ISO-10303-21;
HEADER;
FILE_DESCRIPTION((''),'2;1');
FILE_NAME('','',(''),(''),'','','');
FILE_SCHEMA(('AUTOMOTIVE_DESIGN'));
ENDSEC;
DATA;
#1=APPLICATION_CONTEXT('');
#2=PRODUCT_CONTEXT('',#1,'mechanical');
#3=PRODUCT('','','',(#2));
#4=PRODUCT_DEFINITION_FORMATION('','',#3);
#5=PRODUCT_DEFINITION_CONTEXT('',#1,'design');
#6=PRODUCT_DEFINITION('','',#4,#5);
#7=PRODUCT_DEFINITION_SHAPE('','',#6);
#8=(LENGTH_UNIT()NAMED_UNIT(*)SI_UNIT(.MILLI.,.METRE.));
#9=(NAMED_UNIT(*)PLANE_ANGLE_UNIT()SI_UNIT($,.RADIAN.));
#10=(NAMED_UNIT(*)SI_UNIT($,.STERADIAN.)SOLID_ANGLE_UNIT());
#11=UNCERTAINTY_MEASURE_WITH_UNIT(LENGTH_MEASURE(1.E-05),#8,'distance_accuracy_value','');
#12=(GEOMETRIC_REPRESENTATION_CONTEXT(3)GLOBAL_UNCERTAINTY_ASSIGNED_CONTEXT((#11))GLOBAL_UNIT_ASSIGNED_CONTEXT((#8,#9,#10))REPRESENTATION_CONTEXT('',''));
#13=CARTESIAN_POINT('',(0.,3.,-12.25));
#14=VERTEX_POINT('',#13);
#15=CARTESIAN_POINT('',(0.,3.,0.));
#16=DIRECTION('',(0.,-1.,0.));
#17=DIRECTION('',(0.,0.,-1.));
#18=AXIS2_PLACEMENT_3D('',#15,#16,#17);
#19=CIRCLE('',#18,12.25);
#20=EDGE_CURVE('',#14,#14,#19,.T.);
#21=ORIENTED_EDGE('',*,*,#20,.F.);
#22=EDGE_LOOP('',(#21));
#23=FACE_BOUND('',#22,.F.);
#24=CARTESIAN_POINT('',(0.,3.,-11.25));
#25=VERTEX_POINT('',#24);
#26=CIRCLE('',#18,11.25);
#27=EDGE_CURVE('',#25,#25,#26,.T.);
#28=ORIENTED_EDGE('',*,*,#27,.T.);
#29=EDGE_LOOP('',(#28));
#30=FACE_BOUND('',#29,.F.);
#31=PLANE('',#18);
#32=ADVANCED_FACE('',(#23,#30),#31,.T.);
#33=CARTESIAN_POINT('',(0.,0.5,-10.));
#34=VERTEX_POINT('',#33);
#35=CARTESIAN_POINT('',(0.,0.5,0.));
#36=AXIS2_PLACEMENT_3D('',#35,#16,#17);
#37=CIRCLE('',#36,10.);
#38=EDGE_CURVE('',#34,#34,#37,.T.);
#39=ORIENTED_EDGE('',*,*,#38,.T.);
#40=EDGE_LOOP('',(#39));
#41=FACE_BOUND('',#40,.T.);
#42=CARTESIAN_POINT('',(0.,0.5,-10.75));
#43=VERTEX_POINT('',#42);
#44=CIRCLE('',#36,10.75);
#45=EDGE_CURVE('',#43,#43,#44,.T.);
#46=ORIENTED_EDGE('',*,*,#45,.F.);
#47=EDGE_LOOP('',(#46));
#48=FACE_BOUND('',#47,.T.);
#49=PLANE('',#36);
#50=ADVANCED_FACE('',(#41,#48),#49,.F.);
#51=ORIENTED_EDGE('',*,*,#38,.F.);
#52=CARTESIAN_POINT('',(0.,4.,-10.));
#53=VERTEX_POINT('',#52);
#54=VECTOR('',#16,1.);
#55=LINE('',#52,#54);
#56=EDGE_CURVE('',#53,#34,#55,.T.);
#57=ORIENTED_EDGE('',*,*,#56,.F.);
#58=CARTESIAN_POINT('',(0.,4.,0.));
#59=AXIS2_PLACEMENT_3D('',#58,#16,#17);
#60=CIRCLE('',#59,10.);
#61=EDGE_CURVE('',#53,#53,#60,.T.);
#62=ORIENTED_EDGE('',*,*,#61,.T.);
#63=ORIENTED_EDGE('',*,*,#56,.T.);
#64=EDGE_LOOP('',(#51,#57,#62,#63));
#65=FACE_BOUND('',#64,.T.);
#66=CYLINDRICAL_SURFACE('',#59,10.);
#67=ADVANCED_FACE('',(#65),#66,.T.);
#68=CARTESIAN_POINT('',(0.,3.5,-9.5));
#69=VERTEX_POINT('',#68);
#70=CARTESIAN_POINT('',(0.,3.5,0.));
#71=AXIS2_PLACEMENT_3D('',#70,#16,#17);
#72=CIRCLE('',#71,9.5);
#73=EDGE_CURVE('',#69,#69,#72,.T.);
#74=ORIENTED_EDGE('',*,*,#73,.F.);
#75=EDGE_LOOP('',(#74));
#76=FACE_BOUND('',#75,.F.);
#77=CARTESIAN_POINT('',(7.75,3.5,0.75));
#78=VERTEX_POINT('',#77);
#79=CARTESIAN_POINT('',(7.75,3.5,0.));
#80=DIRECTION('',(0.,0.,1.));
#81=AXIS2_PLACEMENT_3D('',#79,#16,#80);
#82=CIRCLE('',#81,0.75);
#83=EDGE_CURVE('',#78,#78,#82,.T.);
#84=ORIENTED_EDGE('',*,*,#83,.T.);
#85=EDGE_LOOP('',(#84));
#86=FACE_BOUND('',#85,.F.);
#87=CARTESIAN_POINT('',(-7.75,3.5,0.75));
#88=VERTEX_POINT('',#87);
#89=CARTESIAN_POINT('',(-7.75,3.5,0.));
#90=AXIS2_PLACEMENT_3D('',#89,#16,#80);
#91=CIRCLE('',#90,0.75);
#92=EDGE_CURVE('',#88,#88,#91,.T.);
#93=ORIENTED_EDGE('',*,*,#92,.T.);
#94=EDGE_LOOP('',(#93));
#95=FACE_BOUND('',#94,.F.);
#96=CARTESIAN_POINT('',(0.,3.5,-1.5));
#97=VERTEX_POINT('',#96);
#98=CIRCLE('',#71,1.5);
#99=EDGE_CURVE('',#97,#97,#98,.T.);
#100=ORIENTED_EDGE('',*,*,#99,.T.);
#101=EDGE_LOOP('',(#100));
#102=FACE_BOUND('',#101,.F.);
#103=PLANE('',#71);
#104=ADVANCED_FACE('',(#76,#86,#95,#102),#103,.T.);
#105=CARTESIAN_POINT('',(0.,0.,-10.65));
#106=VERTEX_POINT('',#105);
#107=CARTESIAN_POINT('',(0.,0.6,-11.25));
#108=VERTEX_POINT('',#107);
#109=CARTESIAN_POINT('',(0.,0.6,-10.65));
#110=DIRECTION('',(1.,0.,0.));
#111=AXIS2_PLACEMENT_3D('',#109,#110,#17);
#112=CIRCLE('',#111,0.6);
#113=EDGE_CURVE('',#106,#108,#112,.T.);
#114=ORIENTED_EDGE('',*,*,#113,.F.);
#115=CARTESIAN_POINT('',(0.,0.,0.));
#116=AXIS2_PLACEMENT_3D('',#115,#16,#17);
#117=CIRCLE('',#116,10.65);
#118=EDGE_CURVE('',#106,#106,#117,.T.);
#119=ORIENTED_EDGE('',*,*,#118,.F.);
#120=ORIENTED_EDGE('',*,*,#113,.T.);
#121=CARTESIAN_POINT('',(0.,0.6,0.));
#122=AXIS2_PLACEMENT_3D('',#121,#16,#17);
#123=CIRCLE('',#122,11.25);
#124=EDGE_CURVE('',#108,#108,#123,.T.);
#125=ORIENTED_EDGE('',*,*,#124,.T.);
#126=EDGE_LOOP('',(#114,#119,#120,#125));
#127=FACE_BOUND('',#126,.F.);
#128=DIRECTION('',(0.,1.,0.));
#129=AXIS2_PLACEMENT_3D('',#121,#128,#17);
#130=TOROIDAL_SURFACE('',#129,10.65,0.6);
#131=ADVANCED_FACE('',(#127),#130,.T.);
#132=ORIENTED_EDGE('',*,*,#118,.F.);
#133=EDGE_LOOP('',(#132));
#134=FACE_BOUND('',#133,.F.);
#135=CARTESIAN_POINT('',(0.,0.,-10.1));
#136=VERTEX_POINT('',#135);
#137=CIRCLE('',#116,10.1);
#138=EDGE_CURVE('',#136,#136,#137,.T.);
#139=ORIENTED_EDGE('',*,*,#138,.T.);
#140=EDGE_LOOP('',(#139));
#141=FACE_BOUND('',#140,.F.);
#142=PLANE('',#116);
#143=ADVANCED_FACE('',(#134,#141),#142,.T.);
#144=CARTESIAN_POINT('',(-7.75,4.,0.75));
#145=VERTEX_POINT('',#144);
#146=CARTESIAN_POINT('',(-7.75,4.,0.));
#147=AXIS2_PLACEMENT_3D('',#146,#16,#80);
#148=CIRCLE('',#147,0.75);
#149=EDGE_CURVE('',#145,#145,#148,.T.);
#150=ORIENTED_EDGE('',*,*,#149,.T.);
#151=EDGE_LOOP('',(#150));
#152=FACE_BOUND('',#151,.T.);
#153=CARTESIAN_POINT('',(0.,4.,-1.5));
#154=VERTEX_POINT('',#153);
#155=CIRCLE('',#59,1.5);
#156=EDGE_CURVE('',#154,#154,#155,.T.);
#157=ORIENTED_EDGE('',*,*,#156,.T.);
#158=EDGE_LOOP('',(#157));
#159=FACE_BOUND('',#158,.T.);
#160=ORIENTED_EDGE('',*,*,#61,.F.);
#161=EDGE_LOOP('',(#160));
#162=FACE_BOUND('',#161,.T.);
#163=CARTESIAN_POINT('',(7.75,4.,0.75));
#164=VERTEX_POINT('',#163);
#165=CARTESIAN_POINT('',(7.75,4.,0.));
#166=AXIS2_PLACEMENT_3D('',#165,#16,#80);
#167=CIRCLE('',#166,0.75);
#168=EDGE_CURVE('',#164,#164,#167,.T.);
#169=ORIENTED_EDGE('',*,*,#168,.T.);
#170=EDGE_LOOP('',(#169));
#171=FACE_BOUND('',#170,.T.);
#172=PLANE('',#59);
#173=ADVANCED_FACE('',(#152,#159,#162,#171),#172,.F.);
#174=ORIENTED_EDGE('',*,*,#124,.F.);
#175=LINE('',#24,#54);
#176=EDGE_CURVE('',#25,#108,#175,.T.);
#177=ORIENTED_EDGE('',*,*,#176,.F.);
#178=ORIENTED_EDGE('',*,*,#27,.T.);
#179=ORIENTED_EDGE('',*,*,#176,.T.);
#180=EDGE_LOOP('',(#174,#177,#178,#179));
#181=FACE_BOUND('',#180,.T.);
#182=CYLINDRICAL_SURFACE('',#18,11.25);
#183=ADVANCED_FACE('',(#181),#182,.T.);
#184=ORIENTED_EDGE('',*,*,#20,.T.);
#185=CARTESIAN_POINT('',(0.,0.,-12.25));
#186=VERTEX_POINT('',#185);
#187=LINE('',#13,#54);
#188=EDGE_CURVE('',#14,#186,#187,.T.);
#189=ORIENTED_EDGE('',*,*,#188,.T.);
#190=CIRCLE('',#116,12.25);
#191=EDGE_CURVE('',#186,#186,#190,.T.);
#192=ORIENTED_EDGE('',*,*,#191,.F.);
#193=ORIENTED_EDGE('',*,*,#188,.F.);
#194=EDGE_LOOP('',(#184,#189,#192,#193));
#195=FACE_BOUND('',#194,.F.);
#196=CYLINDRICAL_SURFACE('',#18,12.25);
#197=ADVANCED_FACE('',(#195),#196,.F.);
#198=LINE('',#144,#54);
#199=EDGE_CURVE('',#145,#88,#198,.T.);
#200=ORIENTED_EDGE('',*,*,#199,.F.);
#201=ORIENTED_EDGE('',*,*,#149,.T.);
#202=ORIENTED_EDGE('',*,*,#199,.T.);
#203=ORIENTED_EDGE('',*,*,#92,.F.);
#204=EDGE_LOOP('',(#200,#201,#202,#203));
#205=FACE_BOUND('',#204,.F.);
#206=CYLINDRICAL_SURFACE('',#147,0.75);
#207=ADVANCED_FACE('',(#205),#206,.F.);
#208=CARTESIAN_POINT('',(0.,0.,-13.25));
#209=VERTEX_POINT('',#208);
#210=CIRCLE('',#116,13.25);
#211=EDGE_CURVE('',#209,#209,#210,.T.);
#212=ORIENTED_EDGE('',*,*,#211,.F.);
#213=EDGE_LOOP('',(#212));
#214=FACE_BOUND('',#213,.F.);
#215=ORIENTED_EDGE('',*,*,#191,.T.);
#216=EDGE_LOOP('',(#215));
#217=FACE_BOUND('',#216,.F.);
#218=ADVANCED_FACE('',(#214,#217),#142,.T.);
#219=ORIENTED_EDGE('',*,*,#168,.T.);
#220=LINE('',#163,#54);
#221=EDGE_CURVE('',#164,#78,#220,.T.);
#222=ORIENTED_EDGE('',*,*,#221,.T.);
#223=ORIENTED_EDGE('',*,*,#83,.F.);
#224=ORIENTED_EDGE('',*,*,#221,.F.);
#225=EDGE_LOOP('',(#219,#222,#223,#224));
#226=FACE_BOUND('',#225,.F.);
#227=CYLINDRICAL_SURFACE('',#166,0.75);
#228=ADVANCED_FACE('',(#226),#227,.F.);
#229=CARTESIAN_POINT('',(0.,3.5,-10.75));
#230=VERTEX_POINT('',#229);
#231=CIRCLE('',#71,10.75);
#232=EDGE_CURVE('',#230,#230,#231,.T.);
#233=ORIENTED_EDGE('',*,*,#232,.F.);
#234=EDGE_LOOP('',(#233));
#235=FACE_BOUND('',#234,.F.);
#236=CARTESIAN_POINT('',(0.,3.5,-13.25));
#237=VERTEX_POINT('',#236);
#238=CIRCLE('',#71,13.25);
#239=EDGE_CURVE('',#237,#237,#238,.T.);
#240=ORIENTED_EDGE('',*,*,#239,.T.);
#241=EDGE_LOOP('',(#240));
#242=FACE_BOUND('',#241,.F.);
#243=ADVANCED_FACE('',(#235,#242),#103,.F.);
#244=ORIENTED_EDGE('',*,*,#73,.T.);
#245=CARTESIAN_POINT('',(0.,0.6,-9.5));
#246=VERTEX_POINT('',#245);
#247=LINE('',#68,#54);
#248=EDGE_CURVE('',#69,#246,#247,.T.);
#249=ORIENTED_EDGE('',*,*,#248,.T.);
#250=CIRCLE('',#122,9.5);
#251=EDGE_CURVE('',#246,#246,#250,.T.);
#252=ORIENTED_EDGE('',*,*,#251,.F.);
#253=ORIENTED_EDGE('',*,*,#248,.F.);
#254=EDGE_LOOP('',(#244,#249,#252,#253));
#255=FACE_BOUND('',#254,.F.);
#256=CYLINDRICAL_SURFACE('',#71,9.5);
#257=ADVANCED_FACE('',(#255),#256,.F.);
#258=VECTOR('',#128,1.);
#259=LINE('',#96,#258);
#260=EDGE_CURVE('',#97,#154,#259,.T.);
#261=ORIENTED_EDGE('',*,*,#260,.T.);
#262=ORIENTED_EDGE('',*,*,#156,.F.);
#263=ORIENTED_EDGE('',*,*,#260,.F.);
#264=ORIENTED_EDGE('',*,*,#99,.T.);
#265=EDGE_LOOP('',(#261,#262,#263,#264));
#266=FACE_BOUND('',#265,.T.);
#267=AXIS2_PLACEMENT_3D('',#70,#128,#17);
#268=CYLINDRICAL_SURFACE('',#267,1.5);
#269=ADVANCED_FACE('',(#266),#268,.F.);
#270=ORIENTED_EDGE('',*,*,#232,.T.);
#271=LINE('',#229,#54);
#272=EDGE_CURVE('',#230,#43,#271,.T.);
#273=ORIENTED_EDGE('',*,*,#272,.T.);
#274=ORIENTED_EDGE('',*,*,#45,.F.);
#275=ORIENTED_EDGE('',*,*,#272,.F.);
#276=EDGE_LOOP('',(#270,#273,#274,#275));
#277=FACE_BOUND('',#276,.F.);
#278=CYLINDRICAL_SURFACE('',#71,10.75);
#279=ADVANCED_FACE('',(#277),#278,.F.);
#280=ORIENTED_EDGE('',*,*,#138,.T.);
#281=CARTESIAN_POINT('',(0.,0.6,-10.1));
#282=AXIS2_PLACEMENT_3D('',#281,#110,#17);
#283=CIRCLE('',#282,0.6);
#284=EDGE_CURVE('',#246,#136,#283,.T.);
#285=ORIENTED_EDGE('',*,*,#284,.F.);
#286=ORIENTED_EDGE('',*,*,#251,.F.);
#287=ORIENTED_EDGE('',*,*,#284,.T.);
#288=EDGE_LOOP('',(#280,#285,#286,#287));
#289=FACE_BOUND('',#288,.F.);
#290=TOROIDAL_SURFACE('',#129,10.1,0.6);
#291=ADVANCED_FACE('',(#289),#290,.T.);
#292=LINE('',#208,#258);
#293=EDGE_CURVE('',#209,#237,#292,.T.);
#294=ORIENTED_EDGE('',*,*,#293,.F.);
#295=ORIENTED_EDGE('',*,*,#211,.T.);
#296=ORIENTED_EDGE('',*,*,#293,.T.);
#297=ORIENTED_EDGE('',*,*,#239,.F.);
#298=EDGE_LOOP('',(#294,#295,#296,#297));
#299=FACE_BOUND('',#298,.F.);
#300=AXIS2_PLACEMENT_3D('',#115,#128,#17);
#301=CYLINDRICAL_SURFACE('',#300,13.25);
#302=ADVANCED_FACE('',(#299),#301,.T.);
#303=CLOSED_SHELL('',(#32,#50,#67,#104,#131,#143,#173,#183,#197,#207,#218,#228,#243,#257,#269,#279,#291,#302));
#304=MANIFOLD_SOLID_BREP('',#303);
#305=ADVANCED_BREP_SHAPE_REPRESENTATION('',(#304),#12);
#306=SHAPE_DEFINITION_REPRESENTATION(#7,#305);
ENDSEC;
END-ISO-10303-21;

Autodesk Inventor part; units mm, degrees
ref_plane "YZ Plane" through (0, 0, 0) normal (1, 0, 0) x (0, 1, 0)
ref_plane "XZ Plane" through (0, 0, 0) normal (0, 1, 0) x (-1, 0, 0)
ref_plane "XY Plane" through (0, 0, 0) normal (0, 0, 1) x (1, 0, 0)
sketch "Sketch1" plane through (0, 0, 0) normal (1, 0, 0) x (0, 1, 0)
  line L0 (0, 0) -> (-4.0897, 0)
  line L1 (0, -1.6442) -> (0, -13.25)
  line L2 (0, -13.25) -> (3.5, -13.25)
  line L3 (3.5, -13.25) -> (3.5, -10.75)
  line L4 (3.5, -10.75) -> (0.5, -10.75)
  line L5 (4, 0) -> (4, -10)
  line L6 (4, -10) -> (0.5, -10)
  line L7 (0.5, -10) -> (0.5, -10.75)
  line L8 (3.5, -1.5) -> (3.5, -9.5)
  line L9 (3.5, -9.5) -> (0, -9.5)
  line L10 (3, -11.25) -> (0, -11.25)
  line L11 (3, -11.25) -> (3, -12.25)
  line L12 (3, -12.25) -> (0, -12.25)
  line L13 (3.5, -1.5) -> (4, -1.5)
  point P0 (1.5, -12.25)
  point P1 (3.75, -1.5)
  dimension "d1" = 26.5
  dimension "d2" = 2.5
  dimension "d3" = 3.5
  dimension "d4" = 0
  dimension "d5" = 4
  dimension "d6" = 20
  dimension "d7" = 0.5
  dimension "d8" = 0.5
  dimension "d9" = 0.5
  dimension "d10" = 0.5
  dimension "d11" = 0.5
  dimension "d12" = 1
  dimension "d13" = 3
revolve "Revolution1" add sketch "Sketch1" angle 360 about axis through (0, 0, 0) along (0, -1, 0) contours L9 L8 L13 L5 L6 L7 L4 L3 L2 L1 L12 L11 L10
sketch "Sketch2" plane through (0, 4, 0) normal (0, 1, 0) x (1, 0, 0)
  line L0 (-7.75, 0) -> (7.75, 0)
  point P0 (0, 0)
  point P1 (0, 0)
  dimension "d15" = 15.5
hole "Hole1" at (-7.75, 4, 0) at (7.75, 4, 0) direction (0, -1, 0) diameter 1.5 end through all
fillet "Fillet1" radius 0.6 2 edges at (0, 0, 11.25) (0, 0, 9.5)
equation "\"d8\" = d7"
equation "\"d9\" = d7"
equation "\"d10\" = d7"
equation "\"d11\" = d7"
properties part number "Diaphram" material "Rubber, Silicone"
